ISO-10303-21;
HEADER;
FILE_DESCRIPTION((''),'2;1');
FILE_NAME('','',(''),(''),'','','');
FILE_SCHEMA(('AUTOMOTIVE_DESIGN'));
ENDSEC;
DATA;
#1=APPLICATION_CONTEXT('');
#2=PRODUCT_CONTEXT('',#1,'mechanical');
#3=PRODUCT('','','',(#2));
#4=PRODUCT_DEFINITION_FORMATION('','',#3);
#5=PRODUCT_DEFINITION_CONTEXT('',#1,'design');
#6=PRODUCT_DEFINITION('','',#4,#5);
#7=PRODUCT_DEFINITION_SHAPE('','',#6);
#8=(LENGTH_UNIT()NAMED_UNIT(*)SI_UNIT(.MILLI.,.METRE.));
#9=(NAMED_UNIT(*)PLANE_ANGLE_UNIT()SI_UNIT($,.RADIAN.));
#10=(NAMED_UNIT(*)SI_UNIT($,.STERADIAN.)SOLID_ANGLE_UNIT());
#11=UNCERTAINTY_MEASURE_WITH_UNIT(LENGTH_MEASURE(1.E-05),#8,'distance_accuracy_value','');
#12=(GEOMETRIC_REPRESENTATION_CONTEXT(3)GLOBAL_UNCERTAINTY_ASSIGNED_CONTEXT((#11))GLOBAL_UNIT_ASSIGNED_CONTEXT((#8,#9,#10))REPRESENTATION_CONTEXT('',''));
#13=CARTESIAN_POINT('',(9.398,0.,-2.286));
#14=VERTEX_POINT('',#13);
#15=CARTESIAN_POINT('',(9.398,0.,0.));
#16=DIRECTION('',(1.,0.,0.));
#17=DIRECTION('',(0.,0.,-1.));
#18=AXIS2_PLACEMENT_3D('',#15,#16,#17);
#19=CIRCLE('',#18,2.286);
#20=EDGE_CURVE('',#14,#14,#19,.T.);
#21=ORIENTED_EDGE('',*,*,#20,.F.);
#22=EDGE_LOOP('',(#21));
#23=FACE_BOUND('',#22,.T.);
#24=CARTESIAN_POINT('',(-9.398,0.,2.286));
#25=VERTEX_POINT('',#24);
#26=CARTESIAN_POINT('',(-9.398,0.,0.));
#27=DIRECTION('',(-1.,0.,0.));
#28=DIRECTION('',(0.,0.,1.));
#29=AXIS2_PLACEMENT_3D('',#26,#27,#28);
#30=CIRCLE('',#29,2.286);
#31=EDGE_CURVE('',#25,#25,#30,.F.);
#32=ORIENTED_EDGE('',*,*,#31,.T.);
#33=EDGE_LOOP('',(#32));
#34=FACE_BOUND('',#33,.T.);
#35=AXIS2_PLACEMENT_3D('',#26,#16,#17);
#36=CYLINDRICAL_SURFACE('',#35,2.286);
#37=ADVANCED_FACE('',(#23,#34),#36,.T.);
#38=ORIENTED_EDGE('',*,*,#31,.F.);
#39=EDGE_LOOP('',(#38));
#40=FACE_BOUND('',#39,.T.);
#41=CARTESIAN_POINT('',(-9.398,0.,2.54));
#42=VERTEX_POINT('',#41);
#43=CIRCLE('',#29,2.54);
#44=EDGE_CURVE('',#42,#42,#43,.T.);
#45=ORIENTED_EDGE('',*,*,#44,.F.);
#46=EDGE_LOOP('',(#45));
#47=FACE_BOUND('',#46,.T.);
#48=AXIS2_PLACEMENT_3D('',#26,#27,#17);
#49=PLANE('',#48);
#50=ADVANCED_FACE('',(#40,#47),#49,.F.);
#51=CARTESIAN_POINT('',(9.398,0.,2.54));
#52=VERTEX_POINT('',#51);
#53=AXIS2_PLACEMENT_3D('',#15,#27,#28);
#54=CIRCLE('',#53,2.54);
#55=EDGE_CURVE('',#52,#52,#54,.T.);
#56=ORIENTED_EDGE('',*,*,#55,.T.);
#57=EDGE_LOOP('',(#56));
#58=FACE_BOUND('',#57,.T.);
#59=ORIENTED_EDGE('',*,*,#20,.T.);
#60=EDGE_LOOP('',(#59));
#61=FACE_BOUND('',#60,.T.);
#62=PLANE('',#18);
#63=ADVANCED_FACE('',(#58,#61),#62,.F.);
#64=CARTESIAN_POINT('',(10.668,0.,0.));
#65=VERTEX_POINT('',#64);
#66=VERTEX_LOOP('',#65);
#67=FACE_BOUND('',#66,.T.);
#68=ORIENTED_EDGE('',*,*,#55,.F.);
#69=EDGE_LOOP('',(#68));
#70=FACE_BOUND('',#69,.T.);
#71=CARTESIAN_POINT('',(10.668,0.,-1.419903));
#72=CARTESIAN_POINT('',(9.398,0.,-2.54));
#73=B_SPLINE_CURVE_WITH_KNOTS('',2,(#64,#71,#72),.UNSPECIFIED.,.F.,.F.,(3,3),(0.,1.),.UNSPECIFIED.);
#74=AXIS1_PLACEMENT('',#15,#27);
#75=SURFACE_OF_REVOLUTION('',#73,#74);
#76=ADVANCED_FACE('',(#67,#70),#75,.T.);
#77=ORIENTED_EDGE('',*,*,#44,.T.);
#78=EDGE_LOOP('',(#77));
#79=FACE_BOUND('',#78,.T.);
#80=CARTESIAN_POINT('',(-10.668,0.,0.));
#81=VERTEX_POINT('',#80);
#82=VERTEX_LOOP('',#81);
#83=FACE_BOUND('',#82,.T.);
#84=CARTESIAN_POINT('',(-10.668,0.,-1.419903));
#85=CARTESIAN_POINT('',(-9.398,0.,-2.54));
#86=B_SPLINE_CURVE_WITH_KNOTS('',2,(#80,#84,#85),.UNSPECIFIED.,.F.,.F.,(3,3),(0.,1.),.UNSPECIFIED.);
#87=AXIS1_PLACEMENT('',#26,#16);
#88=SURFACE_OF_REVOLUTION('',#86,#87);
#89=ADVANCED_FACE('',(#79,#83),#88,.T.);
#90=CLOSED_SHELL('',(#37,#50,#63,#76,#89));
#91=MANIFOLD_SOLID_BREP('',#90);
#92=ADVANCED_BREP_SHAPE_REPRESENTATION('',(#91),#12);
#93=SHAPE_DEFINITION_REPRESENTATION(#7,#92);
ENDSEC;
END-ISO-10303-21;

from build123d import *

# Parameters (mm, degrees)
BOSS_EXTRUDE1_DEPTH      = 9.398
BOSS_EXTRUDE1_DEPTH_BACK = 9.398
SKETCH1_R                = 2.286


with BuildPart() as part:
    # Sketch1 → Boss-Extrude1 (new, two sides: drawn at the far end of the back side and taken through both)
    with BuildSketch(Plane(origin=(0, 0, 0), x_dir=(0, 0, -1), z_dir=(1, 0, 0)).offset(-BOSS_EXTRUDE1_DEPTH_BACK)):
        Circle(SKETCH1_R)
    extrude(amount=BOSS_EXTRUDE1_DEPTH + BOSS_EXTRUDE1_DEPTH_BACK)

    # Sketch5 → Revolve1 (revolve)
    with BuildSketch(Plane(origin=(0, 0, 0), x_dir=(1, 0, 0), z_dir=(0, 1, 0))):
        with BuildLine():
            Line((9.398, 0), (9.398, 2.54))
            add(Edge.make_bspline(
                [(9.398, 2.54), (10.668, 1.419903166), (10.668, 0)],
                knots=[0, 0, 0, 1, 1, 1], degree=2))
            Line((10.668, 0), (9.398, 0))
        make_face()
    revolve1 = revolve(axis=Axis((9.398, 0, 0), (1, 0, 0)))

    # Mirror1: Revolve1 across plane
    add(revolve1.mirror(Plane(origin=(0, 0, 0), x_dir=(0, 0, 1), z_dir=(1, 0, 0))))


solid = part.part
